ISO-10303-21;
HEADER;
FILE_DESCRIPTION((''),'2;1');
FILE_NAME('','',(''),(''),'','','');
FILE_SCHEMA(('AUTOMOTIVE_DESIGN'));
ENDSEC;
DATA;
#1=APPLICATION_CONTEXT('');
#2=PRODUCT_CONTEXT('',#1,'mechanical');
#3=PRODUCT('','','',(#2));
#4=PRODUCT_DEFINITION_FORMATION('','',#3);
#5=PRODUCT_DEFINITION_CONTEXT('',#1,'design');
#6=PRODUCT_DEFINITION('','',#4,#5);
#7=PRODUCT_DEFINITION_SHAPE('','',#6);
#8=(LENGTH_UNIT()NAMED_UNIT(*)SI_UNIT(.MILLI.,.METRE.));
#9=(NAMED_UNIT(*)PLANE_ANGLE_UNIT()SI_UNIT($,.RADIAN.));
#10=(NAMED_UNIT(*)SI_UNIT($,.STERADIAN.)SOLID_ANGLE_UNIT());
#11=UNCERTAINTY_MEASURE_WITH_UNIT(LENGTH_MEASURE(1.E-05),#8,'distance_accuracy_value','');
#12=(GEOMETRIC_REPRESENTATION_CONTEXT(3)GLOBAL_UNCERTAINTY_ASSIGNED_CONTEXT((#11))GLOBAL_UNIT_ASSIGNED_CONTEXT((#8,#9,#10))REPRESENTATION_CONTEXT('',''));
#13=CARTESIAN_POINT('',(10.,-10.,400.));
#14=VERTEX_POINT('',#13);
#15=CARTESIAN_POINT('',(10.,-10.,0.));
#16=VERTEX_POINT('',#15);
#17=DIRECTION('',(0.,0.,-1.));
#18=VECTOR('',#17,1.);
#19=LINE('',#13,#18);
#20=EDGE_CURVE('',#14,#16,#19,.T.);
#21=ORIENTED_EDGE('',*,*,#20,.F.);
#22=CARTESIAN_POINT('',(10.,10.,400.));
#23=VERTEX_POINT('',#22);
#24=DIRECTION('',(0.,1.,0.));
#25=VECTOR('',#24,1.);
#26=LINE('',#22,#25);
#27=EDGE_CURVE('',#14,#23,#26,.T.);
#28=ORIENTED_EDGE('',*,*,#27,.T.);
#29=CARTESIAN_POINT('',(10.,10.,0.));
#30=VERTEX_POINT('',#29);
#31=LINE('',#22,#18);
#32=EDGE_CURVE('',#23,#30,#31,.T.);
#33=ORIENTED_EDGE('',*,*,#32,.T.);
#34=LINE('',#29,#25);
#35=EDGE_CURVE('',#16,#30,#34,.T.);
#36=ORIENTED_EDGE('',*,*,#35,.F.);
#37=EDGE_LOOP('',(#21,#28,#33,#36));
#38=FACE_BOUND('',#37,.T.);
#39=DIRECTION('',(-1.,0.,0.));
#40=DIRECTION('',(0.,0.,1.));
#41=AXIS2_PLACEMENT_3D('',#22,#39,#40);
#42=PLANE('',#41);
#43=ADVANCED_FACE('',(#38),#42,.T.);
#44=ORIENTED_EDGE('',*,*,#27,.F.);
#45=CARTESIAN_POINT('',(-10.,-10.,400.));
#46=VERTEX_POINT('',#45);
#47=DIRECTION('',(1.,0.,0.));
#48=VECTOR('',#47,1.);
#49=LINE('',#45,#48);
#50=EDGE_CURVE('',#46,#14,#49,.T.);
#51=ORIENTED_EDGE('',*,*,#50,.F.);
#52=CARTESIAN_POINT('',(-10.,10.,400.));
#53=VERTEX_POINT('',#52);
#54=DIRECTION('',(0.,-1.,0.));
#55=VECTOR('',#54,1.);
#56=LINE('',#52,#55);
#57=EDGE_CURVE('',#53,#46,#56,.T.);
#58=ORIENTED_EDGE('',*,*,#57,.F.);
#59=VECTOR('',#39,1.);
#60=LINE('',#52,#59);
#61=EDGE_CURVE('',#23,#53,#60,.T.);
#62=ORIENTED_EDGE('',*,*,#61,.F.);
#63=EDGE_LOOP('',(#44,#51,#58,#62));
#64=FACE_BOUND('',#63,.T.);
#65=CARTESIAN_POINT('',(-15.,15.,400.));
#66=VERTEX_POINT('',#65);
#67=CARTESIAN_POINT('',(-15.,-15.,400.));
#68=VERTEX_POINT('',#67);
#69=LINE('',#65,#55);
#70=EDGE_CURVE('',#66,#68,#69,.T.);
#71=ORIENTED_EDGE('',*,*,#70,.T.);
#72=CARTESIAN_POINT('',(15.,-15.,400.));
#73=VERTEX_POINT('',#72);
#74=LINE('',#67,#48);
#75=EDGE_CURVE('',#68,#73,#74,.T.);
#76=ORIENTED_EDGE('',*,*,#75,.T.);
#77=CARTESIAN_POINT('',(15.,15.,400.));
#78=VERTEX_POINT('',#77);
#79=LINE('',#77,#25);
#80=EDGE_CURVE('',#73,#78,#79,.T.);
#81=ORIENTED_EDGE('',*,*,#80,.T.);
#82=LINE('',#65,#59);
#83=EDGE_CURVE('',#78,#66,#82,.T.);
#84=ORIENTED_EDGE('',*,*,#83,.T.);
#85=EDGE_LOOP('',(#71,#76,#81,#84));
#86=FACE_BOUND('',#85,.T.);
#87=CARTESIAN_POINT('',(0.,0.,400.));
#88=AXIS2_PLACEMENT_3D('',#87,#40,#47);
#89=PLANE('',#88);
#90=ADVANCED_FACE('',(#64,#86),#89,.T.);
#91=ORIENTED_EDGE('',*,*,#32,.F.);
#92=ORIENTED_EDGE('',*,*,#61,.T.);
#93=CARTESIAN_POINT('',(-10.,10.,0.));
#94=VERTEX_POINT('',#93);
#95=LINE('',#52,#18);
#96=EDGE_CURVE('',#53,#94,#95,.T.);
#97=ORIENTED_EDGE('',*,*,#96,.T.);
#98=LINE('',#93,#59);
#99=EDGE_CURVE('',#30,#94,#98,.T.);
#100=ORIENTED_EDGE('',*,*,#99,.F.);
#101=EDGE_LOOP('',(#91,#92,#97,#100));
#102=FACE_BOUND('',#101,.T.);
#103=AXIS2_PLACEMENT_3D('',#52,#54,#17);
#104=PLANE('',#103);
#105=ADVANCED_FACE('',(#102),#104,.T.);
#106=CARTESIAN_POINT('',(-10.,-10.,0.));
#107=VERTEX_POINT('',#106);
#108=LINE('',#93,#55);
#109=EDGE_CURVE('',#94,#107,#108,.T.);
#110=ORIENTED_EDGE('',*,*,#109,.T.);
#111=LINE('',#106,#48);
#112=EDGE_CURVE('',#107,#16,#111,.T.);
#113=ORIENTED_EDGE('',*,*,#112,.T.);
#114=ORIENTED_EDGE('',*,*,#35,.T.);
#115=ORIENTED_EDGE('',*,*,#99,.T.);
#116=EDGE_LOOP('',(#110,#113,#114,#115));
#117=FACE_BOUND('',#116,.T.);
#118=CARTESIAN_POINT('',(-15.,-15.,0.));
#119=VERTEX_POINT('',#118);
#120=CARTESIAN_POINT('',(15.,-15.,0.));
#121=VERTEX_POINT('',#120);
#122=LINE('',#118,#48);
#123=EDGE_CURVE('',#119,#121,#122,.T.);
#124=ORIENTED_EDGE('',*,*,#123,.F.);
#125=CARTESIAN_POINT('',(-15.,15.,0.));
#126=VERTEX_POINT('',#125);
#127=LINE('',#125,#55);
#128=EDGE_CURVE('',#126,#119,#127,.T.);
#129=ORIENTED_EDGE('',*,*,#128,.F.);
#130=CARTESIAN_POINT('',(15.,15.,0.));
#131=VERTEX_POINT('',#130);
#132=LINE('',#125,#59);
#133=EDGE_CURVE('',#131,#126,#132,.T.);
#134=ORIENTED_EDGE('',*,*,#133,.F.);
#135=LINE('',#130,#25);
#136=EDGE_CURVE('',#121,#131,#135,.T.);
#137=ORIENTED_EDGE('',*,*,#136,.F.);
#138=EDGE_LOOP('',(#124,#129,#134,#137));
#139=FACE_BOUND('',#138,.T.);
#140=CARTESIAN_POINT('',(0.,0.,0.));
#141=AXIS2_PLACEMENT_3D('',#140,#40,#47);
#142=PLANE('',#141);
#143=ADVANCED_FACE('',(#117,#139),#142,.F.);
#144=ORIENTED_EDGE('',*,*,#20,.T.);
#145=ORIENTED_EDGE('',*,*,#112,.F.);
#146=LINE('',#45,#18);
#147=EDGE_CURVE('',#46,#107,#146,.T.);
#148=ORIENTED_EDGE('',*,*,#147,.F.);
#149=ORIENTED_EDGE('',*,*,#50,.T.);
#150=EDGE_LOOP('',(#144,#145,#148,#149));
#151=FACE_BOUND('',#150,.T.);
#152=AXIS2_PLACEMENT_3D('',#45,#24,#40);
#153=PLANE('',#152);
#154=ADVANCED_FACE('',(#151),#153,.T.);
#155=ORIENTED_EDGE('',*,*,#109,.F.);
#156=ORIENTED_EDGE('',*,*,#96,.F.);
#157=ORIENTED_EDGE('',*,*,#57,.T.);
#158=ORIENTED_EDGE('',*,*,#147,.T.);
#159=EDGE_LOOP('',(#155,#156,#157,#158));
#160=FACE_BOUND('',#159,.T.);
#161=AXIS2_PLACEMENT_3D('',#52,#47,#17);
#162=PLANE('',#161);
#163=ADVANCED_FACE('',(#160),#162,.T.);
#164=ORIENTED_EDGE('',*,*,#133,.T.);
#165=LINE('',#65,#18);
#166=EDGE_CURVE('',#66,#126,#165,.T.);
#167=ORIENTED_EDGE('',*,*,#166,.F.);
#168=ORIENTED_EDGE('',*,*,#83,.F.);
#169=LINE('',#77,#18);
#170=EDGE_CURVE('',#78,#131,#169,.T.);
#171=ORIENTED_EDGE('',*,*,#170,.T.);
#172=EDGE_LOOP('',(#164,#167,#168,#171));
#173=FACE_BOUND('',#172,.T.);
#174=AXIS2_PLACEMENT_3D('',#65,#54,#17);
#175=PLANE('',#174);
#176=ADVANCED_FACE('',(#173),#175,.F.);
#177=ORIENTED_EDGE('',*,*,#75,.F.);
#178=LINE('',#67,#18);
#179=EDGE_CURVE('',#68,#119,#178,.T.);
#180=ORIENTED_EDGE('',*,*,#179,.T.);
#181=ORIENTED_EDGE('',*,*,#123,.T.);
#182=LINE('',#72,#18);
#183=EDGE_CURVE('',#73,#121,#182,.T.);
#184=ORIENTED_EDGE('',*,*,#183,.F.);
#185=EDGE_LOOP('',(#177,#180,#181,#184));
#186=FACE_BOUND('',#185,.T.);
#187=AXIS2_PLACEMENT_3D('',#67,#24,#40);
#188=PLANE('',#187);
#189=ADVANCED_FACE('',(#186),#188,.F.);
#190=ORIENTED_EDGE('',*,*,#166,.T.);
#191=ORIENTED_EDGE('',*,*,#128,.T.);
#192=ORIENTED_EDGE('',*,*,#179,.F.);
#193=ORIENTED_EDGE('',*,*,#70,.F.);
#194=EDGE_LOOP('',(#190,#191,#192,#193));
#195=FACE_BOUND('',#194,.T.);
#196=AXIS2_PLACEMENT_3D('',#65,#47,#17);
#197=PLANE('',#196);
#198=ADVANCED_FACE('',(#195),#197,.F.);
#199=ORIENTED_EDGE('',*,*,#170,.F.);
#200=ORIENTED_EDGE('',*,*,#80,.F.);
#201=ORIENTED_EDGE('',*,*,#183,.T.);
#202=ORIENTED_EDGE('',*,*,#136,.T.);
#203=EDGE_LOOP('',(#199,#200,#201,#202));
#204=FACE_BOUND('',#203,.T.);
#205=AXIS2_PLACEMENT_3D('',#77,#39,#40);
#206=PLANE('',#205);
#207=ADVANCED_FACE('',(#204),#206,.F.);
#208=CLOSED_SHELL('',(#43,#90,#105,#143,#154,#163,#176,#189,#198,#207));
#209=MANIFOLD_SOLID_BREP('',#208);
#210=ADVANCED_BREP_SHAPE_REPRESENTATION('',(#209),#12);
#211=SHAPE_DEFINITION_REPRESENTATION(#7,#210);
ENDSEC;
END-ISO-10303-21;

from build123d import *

# Parameters (mm, degrees)
SKETCH1_W           = 30
SKETCH1_H           = 30
SKETCH1_W_2         = 20
SKETCH1_H_2         = 20
BOSS_EXTRUDE1_DEPTH = 400


with BuildPart() as part:
    # Sketch1 → Boss-Extrude1 (new body)
    with BuildSketch(Plane.XY):
        Rectangle(SKETCH1_W, SKETCH1_H)
        Rectangle(SKETCH1_W_2, SKETCH1_H_2, mode=Mode.SUBTRACT)
    extrude(amount=BOSS_EXTRUDE1_DEPTH)


solid = part.part
